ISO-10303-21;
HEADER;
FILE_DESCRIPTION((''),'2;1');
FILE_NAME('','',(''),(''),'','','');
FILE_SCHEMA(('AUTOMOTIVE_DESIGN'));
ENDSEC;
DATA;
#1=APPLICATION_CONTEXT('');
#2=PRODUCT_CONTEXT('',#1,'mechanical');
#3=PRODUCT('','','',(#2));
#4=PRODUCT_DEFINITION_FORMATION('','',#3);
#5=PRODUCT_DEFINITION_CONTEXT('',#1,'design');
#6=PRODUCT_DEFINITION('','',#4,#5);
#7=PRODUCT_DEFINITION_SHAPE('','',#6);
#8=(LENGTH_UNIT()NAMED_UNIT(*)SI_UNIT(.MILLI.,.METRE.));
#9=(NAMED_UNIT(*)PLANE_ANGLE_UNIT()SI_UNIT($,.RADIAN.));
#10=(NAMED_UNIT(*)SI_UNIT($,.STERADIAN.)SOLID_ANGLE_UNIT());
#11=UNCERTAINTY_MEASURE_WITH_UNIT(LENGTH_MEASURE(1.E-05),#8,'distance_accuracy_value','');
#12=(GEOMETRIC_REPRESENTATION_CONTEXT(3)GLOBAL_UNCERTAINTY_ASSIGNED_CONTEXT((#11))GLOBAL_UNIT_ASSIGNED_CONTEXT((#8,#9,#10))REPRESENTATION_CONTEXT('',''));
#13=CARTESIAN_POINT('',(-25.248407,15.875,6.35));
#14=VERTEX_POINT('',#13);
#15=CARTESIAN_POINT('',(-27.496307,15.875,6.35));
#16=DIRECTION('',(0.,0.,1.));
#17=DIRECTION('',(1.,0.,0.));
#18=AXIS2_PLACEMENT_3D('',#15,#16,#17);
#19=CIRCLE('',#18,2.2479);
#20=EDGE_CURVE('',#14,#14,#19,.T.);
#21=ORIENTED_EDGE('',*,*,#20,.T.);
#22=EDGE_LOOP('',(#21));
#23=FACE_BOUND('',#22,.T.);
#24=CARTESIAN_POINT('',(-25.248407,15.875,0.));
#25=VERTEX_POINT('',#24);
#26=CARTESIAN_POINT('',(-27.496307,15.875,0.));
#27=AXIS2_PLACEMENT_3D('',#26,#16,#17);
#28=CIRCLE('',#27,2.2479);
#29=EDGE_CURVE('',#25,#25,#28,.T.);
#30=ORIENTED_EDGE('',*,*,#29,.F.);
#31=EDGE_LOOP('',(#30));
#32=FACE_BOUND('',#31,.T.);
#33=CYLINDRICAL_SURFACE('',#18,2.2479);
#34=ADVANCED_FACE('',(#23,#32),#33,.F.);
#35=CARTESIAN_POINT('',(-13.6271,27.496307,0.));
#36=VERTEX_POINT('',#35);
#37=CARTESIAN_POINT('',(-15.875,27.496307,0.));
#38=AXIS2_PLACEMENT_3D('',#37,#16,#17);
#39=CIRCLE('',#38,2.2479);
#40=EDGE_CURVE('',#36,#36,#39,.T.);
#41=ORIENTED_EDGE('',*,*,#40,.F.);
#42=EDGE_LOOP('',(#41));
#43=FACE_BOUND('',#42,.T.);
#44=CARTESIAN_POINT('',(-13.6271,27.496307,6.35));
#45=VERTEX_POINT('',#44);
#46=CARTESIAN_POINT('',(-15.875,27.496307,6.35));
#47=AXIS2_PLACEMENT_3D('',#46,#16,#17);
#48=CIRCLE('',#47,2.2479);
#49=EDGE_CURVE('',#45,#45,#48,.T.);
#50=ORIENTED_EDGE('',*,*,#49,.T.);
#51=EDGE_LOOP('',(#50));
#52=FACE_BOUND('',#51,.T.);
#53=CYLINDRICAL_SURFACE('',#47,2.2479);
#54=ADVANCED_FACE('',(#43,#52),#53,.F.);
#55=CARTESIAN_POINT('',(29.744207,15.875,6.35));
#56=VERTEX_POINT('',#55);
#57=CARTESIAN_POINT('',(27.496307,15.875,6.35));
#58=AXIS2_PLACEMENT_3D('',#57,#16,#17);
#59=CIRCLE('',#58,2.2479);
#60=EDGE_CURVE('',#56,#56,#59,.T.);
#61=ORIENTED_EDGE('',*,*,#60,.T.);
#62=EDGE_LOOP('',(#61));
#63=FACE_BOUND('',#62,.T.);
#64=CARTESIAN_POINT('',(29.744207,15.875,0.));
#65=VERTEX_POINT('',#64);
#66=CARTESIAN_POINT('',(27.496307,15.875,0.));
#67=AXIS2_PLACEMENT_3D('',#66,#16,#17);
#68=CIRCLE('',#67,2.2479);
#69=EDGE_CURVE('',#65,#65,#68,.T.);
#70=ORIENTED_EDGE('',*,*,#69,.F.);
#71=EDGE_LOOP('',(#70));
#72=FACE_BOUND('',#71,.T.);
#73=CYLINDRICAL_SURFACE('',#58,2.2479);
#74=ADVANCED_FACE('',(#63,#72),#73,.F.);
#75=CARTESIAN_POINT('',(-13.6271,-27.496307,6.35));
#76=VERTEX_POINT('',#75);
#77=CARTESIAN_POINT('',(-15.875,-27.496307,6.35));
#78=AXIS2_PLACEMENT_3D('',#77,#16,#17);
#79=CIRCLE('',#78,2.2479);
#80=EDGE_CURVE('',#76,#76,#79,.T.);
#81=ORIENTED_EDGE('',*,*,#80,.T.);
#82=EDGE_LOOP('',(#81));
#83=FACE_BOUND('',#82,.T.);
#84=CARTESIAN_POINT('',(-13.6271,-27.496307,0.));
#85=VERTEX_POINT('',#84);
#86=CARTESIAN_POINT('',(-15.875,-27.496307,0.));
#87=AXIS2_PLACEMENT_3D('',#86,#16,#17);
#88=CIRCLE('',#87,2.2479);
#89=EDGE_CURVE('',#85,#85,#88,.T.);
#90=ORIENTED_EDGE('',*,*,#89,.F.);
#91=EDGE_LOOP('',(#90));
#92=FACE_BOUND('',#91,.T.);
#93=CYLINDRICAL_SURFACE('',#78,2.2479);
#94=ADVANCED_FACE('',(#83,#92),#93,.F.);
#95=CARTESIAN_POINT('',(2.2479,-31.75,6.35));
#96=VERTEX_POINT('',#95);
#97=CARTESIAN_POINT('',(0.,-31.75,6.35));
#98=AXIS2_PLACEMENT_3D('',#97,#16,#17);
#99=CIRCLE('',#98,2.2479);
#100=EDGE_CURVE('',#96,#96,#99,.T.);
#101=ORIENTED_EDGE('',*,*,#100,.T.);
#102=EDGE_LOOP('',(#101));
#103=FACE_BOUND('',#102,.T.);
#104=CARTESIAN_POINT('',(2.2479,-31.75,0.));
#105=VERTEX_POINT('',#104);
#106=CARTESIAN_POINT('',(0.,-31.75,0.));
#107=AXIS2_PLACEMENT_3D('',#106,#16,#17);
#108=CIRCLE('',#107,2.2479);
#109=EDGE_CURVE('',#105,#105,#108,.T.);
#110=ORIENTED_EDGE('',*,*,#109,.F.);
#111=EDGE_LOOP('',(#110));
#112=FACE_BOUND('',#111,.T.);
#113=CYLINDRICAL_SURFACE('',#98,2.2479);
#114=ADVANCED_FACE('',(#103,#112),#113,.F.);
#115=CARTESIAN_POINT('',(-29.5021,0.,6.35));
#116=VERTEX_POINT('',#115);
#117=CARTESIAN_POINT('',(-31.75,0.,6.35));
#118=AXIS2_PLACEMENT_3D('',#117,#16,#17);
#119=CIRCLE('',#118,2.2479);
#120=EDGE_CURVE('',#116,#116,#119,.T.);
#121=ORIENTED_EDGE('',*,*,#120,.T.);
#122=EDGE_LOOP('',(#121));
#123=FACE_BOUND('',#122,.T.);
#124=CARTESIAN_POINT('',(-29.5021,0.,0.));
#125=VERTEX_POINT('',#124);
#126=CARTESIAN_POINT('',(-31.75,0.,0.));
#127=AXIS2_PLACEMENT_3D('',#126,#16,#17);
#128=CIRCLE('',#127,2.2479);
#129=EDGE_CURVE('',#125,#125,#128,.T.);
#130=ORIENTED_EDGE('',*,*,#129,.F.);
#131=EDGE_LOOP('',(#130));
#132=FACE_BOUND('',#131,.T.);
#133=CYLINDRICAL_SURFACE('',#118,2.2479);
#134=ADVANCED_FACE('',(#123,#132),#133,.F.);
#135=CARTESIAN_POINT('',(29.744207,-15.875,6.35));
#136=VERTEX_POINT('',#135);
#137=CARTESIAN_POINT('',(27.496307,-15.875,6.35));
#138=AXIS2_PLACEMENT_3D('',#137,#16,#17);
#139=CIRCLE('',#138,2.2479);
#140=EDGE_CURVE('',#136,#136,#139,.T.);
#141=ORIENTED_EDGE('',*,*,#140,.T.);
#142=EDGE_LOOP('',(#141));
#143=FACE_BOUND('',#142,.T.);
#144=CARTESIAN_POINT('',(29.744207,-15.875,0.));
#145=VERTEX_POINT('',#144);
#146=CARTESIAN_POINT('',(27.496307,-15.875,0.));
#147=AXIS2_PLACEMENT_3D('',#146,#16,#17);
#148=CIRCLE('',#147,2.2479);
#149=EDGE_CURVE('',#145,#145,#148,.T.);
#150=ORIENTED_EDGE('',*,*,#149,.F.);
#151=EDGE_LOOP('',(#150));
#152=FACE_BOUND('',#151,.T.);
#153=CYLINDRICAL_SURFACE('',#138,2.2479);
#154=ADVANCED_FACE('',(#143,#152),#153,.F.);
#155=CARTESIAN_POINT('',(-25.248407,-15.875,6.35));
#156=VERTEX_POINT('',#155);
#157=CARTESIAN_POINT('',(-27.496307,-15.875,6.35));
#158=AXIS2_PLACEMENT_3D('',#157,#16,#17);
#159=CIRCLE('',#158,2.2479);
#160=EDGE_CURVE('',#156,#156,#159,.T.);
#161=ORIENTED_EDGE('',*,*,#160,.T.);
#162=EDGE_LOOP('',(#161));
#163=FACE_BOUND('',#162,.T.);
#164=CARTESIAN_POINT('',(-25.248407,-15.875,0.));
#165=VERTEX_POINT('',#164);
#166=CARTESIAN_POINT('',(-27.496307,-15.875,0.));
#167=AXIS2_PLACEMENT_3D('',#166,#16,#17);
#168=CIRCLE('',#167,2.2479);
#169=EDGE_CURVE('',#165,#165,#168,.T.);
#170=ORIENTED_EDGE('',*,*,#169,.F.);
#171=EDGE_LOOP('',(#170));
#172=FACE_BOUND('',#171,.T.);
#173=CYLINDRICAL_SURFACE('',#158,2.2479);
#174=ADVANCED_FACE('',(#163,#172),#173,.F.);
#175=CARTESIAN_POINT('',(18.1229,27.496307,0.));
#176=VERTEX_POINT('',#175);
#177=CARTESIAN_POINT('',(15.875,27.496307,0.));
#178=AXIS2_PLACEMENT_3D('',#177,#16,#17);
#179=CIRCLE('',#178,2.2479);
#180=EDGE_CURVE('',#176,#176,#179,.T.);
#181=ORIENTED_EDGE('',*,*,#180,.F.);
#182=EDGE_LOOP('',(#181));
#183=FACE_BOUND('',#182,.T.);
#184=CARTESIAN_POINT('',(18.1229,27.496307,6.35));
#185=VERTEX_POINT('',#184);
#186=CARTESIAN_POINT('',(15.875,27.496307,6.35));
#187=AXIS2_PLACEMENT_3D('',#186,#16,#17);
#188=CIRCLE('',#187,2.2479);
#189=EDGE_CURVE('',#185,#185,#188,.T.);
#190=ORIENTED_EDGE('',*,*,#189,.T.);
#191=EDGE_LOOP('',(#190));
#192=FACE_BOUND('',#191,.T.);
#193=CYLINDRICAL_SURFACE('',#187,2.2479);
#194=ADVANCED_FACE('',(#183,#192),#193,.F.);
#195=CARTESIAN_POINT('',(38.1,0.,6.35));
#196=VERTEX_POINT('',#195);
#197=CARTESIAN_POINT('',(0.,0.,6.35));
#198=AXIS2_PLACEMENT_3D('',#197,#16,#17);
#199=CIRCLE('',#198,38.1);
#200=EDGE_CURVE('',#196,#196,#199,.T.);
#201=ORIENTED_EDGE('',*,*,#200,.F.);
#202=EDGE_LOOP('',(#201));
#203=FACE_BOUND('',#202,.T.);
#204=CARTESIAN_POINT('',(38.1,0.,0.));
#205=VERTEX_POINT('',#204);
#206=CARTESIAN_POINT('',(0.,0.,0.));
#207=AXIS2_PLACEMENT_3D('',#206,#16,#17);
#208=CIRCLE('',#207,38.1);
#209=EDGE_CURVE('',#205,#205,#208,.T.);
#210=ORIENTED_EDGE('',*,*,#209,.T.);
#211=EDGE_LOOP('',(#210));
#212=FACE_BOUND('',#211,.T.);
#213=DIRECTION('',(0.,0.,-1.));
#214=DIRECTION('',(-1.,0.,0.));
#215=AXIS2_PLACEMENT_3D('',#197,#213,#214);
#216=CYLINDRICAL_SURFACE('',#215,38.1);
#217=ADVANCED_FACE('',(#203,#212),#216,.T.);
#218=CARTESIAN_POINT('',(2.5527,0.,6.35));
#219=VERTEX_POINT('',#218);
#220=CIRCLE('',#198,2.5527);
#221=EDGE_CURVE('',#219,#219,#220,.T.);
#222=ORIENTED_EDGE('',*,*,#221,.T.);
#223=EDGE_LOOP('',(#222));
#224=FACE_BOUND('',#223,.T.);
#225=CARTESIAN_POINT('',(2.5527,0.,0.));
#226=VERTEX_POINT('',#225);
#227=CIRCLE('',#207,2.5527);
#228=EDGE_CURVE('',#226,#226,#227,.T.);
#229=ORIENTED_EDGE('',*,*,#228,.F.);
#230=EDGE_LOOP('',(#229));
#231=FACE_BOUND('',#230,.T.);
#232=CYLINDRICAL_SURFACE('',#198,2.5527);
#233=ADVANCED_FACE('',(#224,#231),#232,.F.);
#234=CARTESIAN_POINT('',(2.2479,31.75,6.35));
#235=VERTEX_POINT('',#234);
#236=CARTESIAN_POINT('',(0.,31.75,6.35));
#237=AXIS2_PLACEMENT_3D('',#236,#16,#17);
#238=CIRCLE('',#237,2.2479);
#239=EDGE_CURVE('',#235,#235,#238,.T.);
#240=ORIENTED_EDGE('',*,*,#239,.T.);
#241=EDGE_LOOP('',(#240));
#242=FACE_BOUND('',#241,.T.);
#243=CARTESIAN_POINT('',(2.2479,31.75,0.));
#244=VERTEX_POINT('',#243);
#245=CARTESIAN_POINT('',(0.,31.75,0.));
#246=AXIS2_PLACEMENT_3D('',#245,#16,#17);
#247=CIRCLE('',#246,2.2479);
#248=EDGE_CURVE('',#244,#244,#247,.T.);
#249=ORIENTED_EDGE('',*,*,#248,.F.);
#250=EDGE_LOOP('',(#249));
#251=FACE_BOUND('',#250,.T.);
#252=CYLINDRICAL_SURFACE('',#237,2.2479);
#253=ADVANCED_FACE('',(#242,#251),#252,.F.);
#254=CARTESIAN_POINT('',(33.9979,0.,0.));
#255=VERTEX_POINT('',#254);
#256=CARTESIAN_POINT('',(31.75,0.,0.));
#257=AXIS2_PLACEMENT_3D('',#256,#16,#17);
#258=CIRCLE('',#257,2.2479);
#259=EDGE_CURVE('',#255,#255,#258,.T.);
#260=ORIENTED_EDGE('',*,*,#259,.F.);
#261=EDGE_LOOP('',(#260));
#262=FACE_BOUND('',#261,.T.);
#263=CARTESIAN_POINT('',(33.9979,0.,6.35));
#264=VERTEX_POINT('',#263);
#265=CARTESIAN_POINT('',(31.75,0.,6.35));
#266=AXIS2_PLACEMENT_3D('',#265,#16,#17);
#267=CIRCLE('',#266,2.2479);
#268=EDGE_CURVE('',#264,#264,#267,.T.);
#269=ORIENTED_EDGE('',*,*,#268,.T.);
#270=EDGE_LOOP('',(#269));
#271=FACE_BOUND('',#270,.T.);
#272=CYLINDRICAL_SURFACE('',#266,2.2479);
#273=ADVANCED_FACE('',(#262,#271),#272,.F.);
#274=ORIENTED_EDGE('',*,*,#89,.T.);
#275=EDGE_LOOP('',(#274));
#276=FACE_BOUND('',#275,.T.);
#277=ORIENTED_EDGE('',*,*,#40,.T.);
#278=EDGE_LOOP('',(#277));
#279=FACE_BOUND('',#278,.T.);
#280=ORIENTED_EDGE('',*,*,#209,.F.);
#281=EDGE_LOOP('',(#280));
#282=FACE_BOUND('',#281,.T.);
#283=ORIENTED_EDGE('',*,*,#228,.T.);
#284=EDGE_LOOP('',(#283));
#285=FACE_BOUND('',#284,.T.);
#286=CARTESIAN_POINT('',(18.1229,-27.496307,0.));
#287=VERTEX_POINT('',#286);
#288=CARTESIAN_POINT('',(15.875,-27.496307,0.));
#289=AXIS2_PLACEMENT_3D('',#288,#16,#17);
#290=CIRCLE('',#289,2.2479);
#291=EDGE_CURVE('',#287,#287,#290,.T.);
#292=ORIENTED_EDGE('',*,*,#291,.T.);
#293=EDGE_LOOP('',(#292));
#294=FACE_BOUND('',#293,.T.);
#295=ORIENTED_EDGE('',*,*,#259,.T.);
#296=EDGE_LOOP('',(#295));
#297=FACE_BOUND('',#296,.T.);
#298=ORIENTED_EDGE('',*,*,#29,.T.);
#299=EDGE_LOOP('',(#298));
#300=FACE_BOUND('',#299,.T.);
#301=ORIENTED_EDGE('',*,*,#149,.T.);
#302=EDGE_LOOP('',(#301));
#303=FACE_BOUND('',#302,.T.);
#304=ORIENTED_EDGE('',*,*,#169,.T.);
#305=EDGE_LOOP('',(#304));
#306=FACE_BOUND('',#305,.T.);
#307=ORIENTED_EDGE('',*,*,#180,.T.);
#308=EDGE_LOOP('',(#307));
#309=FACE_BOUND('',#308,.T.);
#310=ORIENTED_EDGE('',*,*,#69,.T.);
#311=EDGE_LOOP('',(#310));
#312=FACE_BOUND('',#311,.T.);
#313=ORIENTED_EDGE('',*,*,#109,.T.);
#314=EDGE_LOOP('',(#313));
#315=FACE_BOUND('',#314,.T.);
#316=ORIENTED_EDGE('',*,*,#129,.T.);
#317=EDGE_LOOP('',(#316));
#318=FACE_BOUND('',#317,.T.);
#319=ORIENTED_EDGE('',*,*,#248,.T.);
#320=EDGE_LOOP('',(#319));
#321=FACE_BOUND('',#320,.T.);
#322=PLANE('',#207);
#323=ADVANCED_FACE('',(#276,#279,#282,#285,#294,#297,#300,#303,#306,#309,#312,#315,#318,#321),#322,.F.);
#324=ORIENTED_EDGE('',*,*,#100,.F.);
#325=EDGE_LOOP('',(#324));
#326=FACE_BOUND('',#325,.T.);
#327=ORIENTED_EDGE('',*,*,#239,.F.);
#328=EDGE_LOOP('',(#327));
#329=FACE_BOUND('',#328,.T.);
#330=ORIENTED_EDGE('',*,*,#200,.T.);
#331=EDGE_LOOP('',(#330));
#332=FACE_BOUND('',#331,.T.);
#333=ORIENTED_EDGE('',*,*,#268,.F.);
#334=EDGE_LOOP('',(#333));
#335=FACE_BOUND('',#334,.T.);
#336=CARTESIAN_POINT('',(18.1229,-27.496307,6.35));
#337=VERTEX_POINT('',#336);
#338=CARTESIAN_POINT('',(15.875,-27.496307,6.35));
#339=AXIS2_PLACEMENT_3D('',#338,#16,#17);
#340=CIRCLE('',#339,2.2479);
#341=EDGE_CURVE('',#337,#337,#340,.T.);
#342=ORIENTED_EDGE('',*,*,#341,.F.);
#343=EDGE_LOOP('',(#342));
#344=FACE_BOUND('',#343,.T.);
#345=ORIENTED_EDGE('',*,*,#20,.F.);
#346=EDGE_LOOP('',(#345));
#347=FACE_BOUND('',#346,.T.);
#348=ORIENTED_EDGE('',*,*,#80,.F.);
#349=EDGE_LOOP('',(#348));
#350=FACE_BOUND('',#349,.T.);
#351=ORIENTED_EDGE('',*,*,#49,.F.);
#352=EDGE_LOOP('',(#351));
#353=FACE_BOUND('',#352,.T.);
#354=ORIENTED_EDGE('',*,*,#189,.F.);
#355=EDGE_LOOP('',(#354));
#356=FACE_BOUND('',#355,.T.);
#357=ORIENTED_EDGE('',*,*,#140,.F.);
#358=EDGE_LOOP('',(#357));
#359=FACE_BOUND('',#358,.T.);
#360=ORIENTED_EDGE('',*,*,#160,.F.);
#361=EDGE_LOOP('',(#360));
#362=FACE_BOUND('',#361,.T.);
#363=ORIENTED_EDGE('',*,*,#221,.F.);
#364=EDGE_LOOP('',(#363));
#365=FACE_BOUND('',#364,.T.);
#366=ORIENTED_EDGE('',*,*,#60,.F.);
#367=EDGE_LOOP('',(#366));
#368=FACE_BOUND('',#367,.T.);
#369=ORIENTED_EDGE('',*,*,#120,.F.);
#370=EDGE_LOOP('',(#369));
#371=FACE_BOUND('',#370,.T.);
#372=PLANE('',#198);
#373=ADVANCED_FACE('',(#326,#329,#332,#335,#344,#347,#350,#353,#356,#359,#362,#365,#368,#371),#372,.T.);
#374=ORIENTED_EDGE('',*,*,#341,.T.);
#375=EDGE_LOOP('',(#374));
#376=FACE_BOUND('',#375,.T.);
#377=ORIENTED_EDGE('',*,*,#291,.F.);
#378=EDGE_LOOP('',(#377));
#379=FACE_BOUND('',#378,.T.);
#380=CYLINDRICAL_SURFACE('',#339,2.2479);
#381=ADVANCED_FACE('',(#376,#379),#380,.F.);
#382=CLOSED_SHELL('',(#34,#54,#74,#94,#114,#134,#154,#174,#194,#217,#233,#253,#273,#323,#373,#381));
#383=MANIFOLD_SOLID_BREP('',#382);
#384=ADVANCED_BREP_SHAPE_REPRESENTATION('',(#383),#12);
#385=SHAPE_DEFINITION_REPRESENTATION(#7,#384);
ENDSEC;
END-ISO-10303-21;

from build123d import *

# Parameters (mm, degrees)
SKETCH1_R                 = 38.1
BOSS_EXTRUDE1_DEPTH       = 6.35
F_1_4_20_TAPPED_HOLE1_D   = 5.1054
F_8_CLEARANCE_HOLE1_D     = 4.4958
F_8_CLEARANCE_HOLE1_DEPTH = 313.436
F_8_CLEARANCE_HOLE1_TIP   = 1.350674586


with BuildPart() as part:
    # Sketch1 → Boss-Extrude1 (new body)
    with BuildSketch(Plane.XY):
        Circle(SKETCH1_R)
    extrude(amount=BOSS_EXTRUDE1_DEPTH)

    # 1/4-20 Tapped Hole1 (through all)
    with Locations(Plane.XY.offset(6.35)):
        with Locations((0, 0)):
            Hole(F_1_4_20_TAPPED_HOLE1_D / 2)

    # #8 Clearance Hole1
    with Locations(Plane.XY.offset(6.35)):
        with Locations((-31.75, 0), (-27.49630657, 15.875), (-15.875, 27.49630657), (0, 31.75), (15.875, 27.49630657), (27.49630657, 15.875), (31.75, 0), (27.49630657, -15.875), (15.875, -27.49630657), (0, -31.75), (-15.875, -27.49630657), (-27.49630657, -15.875)):
            Hole(F_8_CLEARANCE_HOLE1_D / 2, depth=F_8_CLEARANCE_HOLE1_DEPTH)
            with Locations((0, 0, -(F_8_CLEARANCE_HOLE1_DEPTH + F_8_CLEARANCE_HOLE1_TIP / 2))):  # 118° drill point
                Cone(0, F_8_CLEARANCE_HOLE1_D / 2, F_8_CLEARANCE_HOLE1_TIP, mode=Mode.SUBTRACT)


solid = part.part
